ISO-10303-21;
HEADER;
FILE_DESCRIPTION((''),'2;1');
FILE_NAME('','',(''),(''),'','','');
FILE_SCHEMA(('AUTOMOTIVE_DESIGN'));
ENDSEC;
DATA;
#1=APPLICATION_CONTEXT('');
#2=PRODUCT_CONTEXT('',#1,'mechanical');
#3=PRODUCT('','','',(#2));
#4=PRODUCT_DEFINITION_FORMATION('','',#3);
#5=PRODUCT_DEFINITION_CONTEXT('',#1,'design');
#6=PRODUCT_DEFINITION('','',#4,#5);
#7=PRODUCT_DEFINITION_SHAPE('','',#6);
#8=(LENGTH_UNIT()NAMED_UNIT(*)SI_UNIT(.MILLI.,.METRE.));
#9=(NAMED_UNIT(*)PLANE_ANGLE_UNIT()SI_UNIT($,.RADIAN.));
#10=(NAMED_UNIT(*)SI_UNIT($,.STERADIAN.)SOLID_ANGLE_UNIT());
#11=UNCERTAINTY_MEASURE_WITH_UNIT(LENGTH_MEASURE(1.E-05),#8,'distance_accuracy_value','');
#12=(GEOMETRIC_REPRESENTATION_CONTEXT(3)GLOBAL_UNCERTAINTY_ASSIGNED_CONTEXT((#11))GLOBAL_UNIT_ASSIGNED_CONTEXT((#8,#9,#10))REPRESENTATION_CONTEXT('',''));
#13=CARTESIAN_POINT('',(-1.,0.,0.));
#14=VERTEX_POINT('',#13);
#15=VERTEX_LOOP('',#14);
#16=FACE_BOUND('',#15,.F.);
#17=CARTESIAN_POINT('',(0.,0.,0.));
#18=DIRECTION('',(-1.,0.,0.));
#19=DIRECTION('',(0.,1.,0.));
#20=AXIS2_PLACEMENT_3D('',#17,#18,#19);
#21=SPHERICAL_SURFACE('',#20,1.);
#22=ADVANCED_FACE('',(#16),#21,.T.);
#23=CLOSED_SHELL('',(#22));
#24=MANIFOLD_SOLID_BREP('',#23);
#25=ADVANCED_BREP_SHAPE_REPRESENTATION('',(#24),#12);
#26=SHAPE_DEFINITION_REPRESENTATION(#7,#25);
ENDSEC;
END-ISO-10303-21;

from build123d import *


with BuildPart() as part:
    # Sketch1 → Revolve1 (revolve)
    with BuildSketch(Plane.XY):
        with BuildLine():
            Line((-1, 0), (1, 0))
            ThreePointArc((1, 0), (0, 1), (-1, 0))
        make_face()
    revolve(axis=Axis((-1, 0, 0), (1, 0, 0)))


solid = part.part
